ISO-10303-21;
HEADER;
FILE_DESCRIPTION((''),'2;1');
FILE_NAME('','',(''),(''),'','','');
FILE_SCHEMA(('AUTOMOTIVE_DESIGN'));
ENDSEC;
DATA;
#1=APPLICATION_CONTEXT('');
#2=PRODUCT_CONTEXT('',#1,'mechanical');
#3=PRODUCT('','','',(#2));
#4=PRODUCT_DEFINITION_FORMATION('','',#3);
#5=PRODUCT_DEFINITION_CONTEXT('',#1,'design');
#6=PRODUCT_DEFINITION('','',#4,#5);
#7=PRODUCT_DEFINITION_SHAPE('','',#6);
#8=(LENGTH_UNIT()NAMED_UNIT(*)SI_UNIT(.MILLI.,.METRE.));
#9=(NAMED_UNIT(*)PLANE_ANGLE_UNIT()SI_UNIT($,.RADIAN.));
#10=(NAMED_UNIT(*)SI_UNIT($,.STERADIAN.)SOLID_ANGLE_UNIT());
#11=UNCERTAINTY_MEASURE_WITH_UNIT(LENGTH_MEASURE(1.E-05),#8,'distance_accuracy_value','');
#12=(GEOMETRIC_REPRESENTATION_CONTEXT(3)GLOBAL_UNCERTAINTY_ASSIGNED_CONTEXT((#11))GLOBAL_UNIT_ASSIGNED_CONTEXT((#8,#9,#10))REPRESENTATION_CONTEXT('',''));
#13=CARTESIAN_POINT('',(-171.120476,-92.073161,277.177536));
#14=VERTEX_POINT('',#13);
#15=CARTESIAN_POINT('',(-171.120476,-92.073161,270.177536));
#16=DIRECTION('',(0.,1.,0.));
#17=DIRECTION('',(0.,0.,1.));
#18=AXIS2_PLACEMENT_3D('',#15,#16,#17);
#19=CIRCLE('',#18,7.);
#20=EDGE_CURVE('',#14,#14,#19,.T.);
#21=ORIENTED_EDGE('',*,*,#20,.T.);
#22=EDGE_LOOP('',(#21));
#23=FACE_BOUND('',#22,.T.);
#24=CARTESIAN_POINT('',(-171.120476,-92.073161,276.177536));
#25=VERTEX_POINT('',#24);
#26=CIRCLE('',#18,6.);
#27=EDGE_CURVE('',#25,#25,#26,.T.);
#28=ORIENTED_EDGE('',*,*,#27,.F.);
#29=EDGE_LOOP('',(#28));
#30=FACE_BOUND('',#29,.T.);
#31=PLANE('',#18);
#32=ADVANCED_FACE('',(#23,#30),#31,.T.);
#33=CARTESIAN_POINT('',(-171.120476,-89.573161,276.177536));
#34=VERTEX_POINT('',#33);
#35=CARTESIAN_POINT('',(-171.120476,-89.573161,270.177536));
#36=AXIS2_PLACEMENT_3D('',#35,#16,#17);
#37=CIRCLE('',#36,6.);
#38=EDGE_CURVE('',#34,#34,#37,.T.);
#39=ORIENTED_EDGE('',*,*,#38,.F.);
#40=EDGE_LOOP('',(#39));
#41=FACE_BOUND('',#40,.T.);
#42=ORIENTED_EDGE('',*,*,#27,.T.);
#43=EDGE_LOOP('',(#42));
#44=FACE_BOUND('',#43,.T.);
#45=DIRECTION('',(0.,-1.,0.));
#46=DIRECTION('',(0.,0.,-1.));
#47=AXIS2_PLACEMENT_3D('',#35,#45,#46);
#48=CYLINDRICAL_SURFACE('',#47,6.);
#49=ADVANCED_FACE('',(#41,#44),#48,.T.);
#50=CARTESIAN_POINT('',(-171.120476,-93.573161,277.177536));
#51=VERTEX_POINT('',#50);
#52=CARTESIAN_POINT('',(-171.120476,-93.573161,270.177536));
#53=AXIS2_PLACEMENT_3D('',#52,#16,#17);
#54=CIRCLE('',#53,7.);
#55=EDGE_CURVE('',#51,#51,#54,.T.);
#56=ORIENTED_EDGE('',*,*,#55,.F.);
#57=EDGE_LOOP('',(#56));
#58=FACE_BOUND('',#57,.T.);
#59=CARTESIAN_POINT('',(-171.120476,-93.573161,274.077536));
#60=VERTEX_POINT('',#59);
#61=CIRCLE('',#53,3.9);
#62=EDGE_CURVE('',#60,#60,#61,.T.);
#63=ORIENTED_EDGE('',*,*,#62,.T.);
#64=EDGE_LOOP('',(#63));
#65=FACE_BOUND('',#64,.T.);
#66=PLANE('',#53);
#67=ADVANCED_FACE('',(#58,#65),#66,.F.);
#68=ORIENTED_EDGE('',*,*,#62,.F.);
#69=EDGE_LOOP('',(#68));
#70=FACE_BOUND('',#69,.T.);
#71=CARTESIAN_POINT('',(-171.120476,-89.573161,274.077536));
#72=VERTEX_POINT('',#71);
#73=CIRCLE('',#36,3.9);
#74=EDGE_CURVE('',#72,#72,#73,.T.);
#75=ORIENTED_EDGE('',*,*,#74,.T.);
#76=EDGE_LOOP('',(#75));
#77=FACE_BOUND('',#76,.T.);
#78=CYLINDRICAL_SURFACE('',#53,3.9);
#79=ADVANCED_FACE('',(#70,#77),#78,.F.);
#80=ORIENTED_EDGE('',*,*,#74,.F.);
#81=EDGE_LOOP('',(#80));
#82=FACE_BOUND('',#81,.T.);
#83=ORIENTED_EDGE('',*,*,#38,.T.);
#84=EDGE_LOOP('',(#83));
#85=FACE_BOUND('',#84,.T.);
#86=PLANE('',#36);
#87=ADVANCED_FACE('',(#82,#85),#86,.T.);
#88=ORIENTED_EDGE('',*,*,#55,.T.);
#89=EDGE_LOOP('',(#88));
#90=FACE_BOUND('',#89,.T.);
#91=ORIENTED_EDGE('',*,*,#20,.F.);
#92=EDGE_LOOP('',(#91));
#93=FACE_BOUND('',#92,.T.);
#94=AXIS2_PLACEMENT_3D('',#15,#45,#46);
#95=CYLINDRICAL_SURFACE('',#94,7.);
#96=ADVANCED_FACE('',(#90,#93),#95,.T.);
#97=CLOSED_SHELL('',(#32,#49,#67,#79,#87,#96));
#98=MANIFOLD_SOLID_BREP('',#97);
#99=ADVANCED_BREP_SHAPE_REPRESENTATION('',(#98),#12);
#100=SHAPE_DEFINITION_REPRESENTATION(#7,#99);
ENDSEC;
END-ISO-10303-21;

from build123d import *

# Parameters (mm, degrees)
SKETCH_1_R          = 7
EXTRUDE_1_DEPTH     = 1.5
SKETCH_2_R          = 6
EXTRUDE_2_DEPTH     = 2.5
SKETCH_3_R          = 3.9
CUT_EXTRUDE_1_DEPTH = 11.677078252


with BuildPart() as part:
    # 草图1 → 凸台-拉伸1 (new body)
    with BuildSketch(Plane(origin=(0, 0, 0), x_dir=(1, 0, 0), z_dir=(0, 1, 0))):
        with Locations(Location((0, 0, 0), (0, 0, 270))):
            Circle(SKETCH_1_R)
    extrude(amount=EXTRUDE_1_DEPTH)

    # 草图2 → 凸台-拉伸2 (add)
    with BuildSketch(Plane(origin=(0, 1.5, 0), x_dir=(1, 0, 0), z_dir=(0, 1, 0))):
        with Locations(Location((0, 0, 0), (0, 0, 270))):
            Circle(SKETCH_2_R)
    extrude(amount=EXTRUDE_2_DEPTH)

    # 草图3 → 切除-拉伸1 (cut, through all)
    with BuildSketch(Plane(origin=(0, 4, 0), x_dir=(1, 0, 0), z_dir=(0, 1, 0))):
        with Locations(Location((0, 0, 0), (0, 0, 270))):
            Circle(SKETCH_3_R)
    extrude(amount=-CUT_EXTRUDE_1_DEPTH, mode=Mode.SUBTRACT)


with BuildPart() as part_1:
    # Move Body 1: moved
    add(part.part.moved(Location((-171.120476201, -93.573160839, 270.177536174))))


solid = part_1.part
